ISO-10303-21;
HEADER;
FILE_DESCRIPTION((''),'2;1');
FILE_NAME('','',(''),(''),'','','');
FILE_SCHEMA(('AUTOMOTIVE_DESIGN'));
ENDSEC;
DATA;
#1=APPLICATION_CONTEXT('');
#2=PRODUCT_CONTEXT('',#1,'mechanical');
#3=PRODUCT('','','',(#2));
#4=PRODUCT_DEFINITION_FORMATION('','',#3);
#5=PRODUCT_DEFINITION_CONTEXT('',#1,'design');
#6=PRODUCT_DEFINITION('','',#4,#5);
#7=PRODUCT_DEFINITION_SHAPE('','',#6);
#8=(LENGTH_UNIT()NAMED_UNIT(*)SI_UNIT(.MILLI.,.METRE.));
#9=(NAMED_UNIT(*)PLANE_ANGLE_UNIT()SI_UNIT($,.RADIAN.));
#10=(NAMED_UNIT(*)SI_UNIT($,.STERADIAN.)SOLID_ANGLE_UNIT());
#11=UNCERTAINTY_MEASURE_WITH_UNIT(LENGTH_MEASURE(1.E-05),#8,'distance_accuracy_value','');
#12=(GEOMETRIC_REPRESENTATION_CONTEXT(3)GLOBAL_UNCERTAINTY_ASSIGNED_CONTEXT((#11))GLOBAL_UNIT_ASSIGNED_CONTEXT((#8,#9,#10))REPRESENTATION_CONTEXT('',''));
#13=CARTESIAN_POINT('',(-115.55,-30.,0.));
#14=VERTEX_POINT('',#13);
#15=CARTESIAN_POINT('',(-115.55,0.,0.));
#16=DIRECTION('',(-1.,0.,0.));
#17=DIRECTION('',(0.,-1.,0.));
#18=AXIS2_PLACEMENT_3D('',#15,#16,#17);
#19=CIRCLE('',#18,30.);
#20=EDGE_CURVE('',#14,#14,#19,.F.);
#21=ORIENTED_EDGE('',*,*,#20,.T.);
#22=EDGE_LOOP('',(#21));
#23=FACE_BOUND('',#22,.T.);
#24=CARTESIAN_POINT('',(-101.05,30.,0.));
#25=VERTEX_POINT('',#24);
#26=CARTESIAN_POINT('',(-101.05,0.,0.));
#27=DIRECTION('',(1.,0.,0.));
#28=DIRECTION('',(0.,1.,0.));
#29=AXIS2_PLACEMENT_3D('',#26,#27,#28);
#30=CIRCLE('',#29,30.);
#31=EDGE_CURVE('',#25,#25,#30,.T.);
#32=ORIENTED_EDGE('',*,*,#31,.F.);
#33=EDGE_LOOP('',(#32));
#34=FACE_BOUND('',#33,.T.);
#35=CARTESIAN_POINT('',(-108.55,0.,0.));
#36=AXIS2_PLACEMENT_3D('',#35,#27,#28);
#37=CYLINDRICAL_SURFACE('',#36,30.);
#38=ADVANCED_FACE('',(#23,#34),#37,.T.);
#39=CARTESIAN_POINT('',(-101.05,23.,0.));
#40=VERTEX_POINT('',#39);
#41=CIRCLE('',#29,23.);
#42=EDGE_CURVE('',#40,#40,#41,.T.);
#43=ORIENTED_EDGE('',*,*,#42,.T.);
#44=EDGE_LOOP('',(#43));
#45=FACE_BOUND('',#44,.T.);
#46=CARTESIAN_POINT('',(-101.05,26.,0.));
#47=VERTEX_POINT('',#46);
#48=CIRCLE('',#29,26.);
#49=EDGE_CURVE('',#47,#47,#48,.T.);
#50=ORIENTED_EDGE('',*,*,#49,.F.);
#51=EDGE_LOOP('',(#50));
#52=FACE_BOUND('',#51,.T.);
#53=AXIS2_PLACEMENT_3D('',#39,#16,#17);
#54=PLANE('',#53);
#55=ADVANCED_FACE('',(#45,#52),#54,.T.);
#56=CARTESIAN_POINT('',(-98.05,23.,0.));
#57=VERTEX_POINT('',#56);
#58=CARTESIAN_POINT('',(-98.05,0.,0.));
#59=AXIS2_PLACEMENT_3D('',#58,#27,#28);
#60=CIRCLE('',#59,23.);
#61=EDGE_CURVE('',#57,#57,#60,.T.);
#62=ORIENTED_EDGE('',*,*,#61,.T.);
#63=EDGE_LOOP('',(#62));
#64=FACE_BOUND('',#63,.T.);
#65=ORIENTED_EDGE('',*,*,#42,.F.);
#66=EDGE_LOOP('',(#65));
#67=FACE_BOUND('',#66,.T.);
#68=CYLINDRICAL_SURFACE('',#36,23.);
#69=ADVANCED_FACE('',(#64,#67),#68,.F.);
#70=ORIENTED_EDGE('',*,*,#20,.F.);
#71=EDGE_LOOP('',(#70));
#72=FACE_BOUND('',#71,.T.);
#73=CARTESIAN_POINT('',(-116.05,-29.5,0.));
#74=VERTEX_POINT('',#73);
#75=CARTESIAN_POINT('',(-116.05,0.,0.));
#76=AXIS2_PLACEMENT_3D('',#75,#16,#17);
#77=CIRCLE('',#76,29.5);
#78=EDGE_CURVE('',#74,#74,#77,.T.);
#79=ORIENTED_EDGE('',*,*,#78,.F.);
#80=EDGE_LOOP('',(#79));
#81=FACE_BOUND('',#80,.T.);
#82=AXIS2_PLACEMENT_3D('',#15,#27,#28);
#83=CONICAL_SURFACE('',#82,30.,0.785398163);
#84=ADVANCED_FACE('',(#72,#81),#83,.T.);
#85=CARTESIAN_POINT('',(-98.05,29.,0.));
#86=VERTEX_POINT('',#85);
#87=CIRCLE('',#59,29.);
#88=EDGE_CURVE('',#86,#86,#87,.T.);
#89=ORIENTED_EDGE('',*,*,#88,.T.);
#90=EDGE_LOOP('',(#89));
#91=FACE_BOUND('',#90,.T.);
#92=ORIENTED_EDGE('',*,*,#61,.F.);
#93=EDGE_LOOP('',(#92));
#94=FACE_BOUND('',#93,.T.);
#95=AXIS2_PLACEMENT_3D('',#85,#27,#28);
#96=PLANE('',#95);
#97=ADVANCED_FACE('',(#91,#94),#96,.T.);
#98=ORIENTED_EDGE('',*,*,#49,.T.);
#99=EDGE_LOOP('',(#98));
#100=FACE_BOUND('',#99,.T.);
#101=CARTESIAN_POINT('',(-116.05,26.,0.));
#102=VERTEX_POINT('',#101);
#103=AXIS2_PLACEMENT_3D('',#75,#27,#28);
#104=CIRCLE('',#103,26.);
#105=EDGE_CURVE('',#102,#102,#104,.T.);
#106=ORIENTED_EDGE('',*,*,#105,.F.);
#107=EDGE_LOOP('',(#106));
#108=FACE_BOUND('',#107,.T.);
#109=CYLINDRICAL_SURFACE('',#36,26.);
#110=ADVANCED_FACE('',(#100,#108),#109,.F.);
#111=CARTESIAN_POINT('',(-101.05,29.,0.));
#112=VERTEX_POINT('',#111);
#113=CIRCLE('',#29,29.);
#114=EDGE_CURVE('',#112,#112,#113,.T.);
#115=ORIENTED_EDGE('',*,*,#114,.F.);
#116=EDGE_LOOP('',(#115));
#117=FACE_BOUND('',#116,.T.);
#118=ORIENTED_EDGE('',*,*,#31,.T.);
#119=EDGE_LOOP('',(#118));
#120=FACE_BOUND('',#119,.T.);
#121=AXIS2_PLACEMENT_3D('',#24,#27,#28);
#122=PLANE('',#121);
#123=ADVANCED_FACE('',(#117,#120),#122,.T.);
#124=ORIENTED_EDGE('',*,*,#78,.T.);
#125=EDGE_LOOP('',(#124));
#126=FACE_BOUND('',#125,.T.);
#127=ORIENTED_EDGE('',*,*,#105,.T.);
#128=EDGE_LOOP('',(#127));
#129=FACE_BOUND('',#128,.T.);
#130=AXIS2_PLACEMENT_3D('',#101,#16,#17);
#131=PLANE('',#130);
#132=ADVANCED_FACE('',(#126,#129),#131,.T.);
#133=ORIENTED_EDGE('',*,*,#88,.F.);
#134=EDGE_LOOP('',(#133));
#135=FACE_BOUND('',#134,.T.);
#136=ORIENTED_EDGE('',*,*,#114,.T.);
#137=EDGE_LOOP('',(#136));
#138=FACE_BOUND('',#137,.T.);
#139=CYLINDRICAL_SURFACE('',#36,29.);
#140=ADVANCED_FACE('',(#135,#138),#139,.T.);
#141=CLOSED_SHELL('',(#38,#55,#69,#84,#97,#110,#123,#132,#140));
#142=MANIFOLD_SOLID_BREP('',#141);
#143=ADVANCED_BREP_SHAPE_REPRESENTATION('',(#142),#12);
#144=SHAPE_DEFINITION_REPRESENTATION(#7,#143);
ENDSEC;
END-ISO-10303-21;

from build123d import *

# Parameters (mm, degrees)
CHAMFER_1_SIZE = 0.5


with BuildPart() as part:
    # Эскиз1 → Повернуть1 (revolve)
    with BuildSketch(Plane.XY):
        Polygon((-98.05, 23), (-101.05, 23), (-101.05, 26), (-116.05, 26), (-116.05, 30), (-101.05, 30), (-101.05, 29), (-98.05, 29), align=None)
    revolve(axis=Axis((-108.55, 0, 0), (-1, 0, 0)))

    # Фаска1
    chamfer_1_edges = [part.edges().sort_by_distance(p)[0] for p in [
        (-116.05, -30, 0),
    ]]
    chamfer(chamfer_1_edges, length=CHAMFER_1_SIZE)


solid = part.part
